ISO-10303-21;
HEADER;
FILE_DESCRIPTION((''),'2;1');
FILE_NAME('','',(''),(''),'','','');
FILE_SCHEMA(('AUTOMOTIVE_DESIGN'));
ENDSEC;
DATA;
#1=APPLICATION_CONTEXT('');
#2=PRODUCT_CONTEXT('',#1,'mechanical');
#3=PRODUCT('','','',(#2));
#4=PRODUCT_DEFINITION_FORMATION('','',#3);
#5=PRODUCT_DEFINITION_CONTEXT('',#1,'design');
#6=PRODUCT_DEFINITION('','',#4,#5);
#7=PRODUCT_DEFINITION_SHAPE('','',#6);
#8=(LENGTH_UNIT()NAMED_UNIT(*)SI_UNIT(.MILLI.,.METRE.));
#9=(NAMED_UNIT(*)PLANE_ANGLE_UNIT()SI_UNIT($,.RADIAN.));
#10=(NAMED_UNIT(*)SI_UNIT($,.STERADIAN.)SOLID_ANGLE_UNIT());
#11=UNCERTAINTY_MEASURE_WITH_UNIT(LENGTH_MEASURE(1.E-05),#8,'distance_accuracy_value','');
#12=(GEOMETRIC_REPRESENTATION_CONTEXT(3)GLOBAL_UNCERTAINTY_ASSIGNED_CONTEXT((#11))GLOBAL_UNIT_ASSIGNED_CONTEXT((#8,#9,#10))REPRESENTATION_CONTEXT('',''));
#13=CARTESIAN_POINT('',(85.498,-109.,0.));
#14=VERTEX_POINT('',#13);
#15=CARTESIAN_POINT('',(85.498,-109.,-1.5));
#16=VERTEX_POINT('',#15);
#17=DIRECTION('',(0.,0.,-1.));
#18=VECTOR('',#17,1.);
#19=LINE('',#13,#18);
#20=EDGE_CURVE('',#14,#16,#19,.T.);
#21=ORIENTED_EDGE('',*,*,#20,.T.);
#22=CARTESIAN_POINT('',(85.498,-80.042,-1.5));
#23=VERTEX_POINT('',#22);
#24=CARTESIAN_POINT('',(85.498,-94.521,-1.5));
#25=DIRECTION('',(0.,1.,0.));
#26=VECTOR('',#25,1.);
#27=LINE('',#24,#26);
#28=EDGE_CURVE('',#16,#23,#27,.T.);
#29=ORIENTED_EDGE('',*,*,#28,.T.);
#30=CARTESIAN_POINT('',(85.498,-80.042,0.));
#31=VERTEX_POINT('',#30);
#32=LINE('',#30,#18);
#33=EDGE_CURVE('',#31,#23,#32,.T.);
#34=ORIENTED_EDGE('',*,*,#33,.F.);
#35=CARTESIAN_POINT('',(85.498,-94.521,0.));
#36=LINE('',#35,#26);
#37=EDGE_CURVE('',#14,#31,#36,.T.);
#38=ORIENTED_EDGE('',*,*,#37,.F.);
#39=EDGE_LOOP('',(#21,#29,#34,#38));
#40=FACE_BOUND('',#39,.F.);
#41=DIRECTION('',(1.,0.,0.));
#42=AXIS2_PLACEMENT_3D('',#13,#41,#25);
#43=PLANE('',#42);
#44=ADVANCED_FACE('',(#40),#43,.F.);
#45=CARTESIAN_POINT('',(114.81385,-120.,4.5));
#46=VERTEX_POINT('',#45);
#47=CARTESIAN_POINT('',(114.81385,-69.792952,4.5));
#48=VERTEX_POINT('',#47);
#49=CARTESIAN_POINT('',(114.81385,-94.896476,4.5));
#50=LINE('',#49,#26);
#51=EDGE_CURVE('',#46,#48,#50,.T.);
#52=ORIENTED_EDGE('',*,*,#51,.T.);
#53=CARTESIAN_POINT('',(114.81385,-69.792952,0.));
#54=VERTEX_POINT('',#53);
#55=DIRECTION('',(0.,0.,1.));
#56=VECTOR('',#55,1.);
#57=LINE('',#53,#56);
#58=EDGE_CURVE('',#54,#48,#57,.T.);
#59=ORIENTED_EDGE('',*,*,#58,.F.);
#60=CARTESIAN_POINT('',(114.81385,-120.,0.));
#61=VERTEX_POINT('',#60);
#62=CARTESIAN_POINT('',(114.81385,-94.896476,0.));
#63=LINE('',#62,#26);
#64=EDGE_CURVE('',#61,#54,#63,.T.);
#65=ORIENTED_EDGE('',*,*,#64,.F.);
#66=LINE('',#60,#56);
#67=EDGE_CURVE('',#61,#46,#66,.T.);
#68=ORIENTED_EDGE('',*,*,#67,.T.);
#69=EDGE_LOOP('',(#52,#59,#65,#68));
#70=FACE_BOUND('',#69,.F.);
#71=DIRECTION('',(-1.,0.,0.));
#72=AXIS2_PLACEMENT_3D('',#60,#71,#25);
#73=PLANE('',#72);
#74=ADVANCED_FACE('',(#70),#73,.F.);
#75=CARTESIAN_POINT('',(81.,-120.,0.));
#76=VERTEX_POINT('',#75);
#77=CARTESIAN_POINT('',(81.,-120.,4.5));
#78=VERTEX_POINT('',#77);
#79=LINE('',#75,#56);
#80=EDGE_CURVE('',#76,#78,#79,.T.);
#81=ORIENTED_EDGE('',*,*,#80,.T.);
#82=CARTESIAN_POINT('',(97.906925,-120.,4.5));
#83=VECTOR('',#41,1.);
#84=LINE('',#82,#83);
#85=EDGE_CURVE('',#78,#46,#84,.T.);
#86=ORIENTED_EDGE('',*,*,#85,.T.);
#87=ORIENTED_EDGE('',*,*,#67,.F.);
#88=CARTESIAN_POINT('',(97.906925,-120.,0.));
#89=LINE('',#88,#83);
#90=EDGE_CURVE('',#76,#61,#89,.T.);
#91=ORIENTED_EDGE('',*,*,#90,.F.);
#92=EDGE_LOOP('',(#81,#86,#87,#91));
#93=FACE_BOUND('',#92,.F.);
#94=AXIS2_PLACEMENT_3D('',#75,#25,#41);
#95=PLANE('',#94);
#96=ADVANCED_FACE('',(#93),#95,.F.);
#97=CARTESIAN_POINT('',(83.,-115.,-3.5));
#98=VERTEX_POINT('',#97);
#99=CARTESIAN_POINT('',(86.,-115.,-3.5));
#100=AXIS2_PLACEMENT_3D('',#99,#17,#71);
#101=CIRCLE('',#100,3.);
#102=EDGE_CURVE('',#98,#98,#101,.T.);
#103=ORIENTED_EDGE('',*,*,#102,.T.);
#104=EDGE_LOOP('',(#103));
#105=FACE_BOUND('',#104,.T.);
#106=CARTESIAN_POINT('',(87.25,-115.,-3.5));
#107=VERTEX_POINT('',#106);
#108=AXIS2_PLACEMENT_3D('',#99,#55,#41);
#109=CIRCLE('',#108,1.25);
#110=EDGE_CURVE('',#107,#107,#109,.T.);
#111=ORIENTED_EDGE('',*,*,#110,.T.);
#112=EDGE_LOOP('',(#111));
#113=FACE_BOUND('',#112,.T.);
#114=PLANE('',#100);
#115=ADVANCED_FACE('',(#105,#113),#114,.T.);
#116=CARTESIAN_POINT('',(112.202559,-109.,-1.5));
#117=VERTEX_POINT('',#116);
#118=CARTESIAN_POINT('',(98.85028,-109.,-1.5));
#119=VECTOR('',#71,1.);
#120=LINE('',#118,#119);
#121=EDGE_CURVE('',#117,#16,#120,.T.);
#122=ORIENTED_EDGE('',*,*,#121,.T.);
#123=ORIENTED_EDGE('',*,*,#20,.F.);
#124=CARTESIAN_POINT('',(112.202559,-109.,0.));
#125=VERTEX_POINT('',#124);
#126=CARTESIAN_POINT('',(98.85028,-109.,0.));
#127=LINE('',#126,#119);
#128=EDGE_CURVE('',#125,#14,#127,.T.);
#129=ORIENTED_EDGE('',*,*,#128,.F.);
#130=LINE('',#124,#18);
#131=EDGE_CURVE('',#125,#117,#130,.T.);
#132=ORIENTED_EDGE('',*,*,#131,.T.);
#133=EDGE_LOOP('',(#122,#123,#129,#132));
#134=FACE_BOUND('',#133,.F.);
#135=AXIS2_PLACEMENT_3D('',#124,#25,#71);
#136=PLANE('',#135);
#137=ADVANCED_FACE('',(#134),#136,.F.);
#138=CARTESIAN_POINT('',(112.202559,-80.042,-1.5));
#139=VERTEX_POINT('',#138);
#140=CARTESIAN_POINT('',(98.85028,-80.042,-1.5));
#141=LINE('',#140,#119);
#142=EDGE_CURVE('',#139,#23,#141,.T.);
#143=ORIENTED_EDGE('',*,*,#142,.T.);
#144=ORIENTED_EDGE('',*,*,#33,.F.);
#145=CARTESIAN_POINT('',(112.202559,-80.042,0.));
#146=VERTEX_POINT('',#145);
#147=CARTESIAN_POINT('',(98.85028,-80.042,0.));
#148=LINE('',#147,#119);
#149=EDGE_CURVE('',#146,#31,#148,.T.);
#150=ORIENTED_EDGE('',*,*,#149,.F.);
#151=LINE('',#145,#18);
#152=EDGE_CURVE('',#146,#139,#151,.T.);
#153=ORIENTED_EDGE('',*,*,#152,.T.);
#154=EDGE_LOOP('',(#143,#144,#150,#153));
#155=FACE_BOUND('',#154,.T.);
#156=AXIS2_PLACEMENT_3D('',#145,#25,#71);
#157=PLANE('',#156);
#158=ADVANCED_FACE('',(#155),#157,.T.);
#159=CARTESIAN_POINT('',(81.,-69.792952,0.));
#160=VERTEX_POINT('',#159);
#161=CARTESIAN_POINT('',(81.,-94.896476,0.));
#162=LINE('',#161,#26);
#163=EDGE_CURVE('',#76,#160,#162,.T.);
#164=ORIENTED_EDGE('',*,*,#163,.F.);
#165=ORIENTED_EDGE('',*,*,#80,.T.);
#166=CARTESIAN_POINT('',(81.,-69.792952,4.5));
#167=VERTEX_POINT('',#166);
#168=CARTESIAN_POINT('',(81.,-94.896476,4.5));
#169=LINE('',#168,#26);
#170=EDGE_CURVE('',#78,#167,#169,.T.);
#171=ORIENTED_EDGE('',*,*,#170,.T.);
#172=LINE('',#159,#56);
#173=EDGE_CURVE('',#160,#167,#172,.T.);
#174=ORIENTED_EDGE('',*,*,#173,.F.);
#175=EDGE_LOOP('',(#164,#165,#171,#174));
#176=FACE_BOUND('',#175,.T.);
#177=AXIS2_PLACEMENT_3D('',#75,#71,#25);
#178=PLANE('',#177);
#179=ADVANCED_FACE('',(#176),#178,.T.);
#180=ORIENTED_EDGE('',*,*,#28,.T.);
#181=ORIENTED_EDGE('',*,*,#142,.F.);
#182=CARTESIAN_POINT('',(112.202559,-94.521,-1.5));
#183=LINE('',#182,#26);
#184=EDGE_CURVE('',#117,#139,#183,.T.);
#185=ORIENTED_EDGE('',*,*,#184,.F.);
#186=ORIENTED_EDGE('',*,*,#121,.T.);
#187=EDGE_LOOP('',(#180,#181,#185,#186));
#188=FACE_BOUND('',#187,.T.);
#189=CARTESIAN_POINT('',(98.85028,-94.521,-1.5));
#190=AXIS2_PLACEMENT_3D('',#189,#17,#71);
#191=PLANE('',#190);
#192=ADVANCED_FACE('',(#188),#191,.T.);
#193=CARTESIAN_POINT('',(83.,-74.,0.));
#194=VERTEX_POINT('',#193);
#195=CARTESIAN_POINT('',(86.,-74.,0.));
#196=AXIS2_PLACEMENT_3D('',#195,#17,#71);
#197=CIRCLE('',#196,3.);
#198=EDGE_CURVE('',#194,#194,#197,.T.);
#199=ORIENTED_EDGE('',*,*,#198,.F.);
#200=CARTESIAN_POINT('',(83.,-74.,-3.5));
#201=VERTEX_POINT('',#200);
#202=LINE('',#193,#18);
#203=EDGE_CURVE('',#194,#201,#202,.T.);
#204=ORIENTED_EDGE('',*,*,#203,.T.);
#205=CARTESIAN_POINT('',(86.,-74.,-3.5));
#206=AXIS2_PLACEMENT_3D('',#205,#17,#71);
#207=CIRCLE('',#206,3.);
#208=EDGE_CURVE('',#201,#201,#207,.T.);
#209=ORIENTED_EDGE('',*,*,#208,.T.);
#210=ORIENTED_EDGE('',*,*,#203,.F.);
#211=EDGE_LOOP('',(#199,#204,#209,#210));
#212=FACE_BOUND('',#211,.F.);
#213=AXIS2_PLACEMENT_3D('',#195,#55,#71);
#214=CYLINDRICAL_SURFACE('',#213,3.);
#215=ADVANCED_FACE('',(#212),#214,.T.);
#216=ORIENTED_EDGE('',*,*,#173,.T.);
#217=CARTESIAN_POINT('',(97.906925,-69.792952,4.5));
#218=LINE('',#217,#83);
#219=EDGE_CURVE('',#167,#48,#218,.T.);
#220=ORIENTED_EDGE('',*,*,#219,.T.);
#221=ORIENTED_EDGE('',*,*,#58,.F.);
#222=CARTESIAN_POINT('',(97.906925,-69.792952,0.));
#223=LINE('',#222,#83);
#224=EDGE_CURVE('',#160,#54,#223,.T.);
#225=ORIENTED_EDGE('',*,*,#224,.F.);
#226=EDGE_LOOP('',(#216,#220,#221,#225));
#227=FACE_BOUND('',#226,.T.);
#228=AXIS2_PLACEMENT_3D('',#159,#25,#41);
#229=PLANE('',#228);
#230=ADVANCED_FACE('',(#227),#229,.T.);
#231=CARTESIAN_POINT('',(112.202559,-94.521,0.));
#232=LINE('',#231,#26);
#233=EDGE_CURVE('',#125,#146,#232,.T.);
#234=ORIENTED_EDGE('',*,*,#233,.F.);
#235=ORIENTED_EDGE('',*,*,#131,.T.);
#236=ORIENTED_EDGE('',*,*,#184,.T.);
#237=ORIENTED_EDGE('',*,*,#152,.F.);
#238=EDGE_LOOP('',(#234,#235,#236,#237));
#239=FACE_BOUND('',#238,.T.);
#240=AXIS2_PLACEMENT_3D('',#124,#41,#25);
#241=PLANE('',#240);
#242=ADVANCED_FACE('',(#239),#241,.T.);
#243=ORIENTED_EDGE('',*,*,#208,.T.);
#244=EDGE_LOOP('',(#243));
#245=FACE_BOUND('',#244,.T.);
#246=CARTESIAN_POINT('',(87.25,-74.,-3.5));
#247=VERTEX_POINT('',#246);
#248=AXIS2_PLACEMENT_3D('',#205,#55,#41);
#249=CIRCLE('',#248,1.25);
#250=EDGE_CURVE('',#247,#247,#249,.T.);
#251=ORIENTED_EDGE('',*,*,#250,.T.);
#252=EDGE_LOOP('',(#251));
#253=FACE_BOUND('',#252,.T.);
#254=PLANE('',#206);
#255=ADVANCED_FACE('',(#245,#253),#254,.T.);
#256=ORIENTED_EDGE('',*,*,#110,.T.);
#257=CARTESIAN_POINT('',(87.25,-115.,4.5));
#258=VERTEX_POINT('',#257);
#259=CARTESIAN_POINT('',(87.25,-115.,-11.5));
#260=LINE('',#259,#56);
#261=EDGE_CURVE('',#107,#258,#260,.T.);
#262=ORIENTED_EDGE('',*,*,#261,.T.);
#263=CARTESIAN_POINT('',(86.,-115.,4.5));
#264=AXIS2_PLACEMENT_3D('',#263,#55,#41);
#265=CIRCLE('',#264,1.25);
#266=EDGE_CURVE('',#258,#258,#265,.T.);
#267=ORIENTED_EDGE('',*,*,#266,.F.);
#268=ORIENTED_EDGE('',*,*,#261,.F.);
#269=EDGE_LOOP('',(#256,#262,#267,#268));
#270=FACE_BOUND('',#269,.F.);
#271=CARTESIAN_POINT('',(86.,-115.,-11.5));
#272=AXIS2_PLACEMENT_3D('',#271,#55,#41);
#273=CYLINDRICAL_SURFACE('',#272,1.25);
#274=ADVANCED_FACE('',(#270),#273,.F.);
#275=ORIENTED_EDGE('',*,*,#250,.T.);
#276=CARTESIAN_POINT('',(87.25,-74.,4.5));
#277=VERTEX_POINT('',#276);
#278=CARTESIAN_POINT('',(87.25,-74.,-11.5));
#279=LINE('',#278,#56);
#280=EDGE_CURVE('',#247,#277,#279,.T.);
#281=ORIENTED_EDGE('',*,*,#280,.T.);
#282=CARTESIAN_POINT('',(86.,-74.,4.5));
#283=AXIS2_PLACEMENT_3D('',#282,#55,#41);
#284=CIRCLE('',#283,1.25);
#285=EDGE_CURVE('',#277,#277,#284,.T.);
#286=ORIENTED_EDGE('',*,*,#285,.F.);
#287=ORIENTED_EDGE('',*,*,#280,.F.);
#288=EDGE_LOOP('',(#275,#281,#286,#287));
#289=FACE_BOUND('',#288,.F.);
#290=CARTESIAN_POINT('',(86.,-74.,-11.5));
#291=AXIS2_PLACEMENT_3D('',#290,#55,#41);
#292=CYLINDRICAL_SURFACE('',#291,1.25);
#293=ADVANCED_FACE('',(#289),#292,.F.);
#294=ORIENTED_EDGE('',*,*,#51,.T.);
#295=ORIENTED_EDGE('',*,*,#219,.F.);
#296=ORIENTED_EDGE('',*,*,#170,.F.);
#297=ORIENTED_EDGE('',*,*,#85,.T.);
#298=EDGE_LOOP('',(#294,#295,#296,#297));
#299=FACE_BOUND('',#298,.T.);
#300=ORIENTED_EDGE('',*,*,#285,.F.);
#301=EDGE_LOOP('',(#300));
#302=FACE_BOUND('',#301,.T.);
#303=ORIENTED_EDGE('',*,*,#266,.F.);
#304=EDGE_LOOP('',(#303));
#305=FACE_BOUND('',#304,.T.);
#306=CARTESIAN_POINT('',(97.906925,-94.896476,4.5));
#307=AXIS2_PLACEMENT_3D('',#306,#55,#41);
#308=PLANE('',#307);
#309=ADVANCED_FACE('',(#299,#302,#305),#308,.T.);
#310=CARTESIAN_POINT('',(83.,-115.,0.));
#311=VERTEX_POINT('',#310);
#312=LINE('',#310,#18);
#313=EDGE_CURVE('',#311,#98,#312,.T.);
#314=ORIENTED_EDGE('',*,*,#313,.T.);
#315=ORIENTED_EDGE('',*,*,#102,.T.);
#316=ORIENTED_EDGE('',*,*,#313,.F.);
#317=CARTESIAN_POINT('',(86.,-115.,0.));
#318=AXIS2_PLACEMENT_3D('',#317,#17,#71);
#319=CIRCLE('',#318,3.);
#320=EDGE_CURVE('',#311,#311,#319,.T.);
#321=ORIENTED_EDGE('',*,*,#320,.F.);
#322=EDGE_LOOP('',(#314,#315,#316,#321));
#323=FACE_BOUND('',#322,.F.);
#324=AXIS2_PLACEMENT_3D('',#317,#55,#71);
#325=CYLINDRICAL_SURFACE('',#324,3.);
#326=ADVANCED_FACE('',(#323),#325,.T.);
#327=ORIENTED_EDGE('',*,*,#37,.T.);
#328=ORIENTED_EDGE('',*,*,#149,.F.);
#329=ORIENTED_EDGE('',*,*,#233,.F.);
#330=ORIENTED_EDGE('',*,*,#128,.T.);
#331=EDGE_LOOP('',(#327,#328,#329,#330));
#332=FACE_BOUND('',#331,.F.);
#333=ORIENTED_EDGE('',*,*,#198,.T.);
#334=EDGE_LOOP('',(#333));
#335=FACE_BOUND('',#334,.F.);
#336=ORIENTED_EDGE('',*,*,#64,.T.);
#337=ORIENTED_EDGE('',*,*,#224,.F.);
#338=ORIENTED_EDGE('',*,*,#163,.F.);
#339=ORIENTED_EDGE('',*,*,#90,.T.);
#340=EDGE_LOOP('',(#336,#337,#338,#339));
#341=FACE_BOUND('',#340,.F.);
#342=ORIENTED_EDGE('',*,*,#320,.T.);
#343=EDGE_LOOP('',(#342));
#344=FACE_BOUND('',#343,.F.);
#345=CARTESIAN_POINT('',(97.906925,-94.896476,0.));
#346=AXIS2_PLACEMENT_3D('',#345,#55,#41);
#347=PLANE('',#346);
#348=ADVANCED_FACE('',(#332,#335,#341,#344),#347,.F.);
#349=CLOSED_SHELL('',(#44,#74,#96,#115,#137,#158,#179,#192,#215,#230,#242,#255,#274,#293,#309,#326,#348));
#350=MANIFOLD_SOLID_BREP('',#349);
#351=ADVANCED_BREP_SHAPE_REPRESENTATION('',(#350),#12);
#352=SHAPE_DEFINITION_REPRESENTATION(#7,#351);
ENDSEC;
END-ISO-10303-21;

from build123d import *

# Parameters (mm, degrees)
ESQUISSE2_W            = 33.813849949
ESQUISSE2_H            = 50.207047895
BOSS_EXTRU_1_DEPTH     = 4.5
ESQUISSE6_W            = 26.70455913
ESQUISSE6_H            = 28.958
BOSS_EXTRU_ASICS_DEPTH = 1.5
ESQUISSE7_R            = 3
BOSS_EXTRU_FIXS_DEPTH  = 3.5
TROU_TARAUD_M31_D      = 2.5
TROU_TARAUD_M31_DEPTH  = 8


with BuildPart() as part:
    # Esquisse2 → Boss.-Extru.1 (new body)
    with BuildSketch(Plane.XY):
        with Locations((97.906924975, -94.896476053)):
            Rectangle(ESQUISSE2_W, ESQUISSE2_H)
    extrude(amount=BOSS_EXTRU_1_DEPTH)

    # Esquisse6 → Boss.-Extru. ASICs (add)
    with BuildSketch(Plane(origin=(0, 0, 0), x_dir=(-1, 0, 0), z_dir=(0, 0, -1))):
        with Locations((-98.850279565, -94.521)):
            Rectangle(ESQUISSE6_W, ESQUISSE6_H)
    extrude(amount=BOSS_EXTRU_ASICS_DEPTH)

    # Esquisse7 → Boss.-Extru. FIXs (add)
    with BuildSketch(Plane(origin=(0, 0, 0), x_dir=(-1, 0, 0), z_dir=(0, 0, -1))):
        with Locations((-86, -74)):
            Circle(ESQUISSE7_R)
        with Locations((-86, -115)):
            Circle(ESQUISSE7_R)
    extrude(amount=BOSS_EXTRU_FIXS_DEPTH)

    # Trou taraudé M31
    with Locations(Plane(origin=(0, 0, -3.5), x_dir=(-1, 0, 0), z_dir=(0, 0, -1))):
        with Locations((-86, -74), (-86, -115)):
            Hole(TROU_TARAUD_M31_D / 2, depth=TROU_TARAUD_M31_DEPTH)


solid = part.part
